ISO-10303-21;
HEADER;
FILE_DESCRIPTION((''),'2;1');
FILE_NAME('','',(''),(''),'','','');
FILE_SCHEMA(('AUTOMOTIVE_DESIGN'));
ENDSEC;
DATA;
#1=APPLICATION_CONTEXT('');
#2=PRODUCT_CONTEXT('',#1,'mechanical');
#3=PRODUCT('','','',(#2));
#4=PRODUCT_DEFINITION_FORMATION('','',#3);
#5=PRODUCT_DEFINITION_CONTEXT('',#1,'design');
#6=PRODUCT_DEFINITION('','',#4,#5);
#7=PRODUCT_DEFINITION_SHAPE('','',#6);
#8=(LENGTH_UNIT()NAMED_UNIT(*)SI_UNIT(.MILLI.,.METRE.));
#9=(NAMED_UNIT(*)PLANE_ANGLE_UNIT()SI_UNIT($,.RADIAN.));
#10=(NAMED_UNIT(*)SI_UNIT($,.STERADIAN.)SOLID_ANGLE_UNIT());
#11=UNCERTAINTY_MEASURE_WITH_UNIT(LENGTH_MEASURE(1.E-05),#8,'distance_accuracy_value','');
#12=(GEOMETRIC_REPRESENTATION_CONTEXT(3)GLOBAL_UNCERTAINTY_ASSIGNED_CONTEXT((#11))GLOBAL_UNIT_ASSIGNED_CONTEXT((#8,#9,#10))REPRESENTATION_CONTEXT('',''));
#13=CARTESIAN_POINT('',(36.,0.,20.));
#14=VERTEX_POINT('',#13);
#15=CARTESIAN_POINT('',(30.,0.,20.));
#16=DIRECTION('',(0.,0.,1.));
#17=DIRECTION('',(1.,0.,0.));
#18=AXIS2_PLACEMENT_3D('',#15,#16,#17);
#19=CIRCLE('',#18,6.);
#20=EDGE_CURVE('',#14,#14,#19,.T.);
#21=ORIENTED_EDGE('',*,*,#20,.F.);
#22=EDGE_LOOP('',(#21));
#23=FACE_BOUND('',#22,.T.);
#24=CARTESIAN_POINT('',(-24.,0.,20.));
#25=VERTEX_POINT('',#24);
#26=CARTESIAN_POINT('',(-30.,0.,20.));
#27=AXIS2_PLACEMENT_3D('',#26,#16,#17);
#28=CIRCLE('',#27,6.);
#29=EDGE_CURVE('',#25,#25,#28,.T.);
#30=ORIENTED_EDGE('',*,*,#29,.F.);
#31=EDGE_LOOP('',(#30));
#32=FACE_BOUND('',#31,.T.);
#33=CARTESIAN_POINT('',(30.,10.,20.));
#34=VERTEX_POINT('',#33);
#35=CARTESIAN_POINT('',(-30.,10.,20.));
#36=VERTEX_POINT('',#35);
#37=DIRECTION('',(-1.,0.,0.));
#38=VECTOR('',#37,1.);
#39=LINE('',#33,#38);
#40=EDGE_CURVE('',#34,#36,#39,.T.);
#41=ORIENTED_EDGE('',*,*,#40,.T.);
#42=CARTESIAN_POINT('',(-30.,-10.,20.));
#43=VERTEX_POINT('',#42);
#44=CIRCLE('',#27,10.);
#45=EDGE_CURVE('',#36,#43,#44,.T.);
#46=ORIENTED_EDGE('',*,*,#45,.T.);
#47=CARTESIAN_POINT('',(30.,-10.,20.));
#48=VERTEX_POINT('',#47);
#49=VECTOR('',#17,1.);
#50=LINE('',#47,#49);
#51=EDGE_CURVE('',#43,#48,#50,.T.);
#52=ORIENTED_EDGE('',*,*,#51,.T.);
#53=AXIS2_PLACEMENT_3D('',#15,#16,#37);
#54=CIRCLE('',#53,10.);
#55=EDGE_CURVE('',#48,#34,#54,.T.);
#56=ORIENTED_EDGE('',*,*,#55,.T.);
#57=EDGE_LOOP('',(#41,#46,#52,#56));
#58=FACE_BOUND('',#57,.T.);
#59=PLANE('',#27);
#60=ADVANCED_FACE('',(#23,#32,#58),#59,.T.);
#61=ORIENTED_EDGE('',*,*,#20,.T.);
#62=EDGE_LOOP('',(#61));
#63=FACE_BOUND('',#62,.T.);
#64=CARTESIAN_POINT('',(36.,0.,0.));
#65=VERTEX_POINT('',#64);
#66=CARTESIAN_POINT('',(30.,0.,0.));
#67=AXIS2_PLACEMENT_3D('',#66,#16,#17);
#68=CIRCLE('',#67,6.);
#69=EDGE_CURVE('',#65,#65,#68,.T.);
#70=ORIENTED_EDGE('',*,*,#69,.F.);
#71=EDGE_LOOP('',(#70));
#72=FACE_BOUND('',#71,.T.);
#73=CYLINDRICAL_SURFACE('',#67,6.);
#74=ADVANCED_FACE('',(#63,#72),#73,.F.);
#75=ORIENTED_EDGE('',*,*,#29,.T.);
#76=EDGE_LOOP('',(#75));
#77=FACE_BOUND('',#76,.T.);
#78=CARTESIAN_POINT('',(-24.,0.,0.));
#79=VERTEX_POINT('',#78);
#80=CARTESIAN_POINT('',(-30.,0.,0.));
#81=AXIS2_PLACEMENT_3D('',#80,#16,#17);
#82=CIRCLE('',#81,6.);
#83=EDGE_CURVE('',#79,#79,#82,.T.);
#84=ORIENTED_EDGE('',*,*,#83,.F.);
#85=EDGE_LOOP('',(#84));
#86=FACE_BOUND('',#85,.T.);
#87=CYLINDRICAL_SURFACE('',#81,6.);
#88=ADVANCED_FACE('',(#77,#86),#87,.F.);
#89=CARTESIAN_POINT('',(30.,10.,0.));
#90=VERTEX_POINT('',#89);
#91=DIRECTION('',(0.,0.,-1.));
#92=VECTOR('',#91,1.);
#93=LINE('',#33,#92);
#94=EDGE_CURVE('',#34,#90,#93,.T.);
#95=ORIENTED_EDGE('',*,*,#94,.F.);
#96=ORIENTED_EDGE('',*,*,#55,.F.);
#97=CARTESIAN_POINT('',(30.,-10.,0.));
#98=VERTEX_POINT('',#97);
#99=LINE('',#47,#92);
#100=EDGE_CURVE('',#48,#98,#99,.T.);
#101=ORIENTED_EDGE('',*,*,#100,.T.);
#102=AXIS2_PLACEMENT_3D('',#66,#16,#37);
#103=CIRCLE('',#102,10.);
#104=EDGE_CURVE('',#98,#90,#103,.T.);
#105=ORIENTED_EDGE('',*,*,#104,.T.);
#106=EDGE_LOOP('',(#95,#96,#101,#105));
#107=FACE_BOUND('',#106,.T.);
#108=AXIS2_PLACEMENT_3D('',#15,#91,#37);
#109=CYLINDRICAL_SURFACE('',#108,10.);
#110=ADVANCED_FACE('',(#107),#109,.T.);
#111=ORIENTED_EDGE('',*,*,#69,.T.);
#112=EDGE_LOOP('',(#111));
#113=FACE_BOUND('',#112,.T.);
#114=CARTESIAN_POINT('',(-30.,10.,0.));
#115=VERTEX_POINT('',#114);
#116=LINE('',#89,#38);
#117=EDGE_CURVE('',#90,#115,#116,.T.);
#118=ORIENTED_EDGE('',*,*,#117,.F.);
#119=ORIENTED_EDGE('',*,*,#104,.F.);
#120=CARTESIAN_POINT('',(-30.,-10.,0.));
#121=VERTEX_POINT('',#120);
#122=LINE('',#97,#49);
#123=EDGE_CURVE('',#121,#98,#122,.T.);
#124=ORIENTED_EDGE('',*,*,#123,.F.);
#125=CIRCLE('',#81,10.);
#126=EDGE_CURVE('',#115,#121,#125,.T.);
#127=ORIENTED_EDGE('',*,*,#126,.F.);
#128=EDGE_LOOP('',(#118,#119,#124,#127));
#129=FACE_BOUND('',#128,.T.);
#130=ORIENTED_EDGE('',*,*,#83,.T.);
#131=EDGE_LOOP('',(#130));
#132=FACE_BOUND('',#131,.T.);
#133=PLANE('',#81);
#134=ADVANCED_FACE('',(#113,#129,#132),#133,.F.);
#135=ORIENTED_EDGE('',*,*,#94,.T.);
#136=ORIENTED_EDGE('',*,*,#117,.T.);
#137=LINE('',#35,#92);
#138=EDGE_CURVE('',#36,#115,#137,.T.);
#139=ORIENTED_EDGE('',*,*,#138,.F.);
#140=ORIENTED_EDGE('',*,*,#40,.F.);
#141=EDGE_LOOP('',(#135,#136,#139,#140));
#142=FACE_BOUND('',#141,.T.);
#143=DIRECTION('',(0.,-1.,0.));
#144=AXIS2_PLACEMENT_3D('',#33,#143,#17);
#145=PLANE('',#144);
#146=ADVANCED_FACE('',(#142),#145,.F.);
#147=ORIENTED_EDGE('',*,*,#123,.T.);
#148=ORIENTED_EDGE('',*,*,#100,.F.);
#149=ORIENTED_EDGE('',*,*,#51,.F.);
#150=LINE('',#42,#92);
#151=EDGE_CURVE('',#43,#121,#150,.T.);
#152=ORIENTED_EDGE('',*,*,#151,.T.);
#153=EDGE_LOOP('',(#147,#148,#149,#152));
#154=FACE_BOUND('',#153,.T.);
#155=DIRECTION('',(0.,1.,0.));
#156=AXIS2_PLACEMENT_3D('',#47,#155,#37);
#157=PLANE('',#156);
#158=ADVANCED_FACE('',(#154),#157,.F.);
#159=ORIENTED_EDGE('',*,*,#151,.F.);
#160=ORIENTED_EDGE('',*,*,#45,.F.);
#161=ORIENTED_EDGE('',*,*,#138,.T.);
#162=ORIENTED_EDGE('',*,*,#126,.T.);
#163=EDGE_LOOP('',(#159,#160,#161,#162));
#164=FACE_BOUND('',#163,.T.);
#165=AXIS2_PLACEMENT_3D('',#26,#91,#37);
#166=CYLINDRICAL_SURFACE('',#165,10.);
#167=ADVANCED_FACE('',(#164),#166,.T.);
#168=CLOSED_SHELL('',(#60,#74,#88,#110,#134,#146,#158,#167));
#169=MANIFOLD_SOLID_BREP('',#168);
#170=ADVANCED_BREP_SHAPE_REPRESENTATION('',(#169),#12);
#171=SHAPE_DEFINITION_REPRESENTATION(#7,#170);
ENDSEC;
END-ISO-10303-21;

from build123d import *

# Parameters (mm, degrees)
BOSS_EXTRUDE1_DEPTH = 20
SKETCH2_R           = 6
CUT_EXTRUDE1_DEPTH  = 46.82575695


with BuildPart() as part:
    # Sketch1 → Boss-Extrude1 (new body)
    with BuildSketch(Plane.XY):
        with BuildLine():
            Line((30, -10), (-30, -10))
            ThreePointArc((-30, -10), (-40, 0), (-30, 10))
            Line((-30, 10), (30, 10))
            ThreePointArc((30, 10), (40, 0), (30, -10))
        make_face()
    extrude(amount=BOSS_EXTRUDE1_DEPTH)

    # Sketch2 → Cut-Extrude1 (cut, through all)
    with BuildSketch(Plane.XY.offset(20)):
        with Locations((-30, 0)):
            Circle(SKETCH2_R)
        with Locations((30, 0)):
            Circle(SKETCH2_R)
    extrude(amount=-CUT_EXTRUDE1_DEPTH, mode=Mode.SUBTRACT)


solid = part.part
